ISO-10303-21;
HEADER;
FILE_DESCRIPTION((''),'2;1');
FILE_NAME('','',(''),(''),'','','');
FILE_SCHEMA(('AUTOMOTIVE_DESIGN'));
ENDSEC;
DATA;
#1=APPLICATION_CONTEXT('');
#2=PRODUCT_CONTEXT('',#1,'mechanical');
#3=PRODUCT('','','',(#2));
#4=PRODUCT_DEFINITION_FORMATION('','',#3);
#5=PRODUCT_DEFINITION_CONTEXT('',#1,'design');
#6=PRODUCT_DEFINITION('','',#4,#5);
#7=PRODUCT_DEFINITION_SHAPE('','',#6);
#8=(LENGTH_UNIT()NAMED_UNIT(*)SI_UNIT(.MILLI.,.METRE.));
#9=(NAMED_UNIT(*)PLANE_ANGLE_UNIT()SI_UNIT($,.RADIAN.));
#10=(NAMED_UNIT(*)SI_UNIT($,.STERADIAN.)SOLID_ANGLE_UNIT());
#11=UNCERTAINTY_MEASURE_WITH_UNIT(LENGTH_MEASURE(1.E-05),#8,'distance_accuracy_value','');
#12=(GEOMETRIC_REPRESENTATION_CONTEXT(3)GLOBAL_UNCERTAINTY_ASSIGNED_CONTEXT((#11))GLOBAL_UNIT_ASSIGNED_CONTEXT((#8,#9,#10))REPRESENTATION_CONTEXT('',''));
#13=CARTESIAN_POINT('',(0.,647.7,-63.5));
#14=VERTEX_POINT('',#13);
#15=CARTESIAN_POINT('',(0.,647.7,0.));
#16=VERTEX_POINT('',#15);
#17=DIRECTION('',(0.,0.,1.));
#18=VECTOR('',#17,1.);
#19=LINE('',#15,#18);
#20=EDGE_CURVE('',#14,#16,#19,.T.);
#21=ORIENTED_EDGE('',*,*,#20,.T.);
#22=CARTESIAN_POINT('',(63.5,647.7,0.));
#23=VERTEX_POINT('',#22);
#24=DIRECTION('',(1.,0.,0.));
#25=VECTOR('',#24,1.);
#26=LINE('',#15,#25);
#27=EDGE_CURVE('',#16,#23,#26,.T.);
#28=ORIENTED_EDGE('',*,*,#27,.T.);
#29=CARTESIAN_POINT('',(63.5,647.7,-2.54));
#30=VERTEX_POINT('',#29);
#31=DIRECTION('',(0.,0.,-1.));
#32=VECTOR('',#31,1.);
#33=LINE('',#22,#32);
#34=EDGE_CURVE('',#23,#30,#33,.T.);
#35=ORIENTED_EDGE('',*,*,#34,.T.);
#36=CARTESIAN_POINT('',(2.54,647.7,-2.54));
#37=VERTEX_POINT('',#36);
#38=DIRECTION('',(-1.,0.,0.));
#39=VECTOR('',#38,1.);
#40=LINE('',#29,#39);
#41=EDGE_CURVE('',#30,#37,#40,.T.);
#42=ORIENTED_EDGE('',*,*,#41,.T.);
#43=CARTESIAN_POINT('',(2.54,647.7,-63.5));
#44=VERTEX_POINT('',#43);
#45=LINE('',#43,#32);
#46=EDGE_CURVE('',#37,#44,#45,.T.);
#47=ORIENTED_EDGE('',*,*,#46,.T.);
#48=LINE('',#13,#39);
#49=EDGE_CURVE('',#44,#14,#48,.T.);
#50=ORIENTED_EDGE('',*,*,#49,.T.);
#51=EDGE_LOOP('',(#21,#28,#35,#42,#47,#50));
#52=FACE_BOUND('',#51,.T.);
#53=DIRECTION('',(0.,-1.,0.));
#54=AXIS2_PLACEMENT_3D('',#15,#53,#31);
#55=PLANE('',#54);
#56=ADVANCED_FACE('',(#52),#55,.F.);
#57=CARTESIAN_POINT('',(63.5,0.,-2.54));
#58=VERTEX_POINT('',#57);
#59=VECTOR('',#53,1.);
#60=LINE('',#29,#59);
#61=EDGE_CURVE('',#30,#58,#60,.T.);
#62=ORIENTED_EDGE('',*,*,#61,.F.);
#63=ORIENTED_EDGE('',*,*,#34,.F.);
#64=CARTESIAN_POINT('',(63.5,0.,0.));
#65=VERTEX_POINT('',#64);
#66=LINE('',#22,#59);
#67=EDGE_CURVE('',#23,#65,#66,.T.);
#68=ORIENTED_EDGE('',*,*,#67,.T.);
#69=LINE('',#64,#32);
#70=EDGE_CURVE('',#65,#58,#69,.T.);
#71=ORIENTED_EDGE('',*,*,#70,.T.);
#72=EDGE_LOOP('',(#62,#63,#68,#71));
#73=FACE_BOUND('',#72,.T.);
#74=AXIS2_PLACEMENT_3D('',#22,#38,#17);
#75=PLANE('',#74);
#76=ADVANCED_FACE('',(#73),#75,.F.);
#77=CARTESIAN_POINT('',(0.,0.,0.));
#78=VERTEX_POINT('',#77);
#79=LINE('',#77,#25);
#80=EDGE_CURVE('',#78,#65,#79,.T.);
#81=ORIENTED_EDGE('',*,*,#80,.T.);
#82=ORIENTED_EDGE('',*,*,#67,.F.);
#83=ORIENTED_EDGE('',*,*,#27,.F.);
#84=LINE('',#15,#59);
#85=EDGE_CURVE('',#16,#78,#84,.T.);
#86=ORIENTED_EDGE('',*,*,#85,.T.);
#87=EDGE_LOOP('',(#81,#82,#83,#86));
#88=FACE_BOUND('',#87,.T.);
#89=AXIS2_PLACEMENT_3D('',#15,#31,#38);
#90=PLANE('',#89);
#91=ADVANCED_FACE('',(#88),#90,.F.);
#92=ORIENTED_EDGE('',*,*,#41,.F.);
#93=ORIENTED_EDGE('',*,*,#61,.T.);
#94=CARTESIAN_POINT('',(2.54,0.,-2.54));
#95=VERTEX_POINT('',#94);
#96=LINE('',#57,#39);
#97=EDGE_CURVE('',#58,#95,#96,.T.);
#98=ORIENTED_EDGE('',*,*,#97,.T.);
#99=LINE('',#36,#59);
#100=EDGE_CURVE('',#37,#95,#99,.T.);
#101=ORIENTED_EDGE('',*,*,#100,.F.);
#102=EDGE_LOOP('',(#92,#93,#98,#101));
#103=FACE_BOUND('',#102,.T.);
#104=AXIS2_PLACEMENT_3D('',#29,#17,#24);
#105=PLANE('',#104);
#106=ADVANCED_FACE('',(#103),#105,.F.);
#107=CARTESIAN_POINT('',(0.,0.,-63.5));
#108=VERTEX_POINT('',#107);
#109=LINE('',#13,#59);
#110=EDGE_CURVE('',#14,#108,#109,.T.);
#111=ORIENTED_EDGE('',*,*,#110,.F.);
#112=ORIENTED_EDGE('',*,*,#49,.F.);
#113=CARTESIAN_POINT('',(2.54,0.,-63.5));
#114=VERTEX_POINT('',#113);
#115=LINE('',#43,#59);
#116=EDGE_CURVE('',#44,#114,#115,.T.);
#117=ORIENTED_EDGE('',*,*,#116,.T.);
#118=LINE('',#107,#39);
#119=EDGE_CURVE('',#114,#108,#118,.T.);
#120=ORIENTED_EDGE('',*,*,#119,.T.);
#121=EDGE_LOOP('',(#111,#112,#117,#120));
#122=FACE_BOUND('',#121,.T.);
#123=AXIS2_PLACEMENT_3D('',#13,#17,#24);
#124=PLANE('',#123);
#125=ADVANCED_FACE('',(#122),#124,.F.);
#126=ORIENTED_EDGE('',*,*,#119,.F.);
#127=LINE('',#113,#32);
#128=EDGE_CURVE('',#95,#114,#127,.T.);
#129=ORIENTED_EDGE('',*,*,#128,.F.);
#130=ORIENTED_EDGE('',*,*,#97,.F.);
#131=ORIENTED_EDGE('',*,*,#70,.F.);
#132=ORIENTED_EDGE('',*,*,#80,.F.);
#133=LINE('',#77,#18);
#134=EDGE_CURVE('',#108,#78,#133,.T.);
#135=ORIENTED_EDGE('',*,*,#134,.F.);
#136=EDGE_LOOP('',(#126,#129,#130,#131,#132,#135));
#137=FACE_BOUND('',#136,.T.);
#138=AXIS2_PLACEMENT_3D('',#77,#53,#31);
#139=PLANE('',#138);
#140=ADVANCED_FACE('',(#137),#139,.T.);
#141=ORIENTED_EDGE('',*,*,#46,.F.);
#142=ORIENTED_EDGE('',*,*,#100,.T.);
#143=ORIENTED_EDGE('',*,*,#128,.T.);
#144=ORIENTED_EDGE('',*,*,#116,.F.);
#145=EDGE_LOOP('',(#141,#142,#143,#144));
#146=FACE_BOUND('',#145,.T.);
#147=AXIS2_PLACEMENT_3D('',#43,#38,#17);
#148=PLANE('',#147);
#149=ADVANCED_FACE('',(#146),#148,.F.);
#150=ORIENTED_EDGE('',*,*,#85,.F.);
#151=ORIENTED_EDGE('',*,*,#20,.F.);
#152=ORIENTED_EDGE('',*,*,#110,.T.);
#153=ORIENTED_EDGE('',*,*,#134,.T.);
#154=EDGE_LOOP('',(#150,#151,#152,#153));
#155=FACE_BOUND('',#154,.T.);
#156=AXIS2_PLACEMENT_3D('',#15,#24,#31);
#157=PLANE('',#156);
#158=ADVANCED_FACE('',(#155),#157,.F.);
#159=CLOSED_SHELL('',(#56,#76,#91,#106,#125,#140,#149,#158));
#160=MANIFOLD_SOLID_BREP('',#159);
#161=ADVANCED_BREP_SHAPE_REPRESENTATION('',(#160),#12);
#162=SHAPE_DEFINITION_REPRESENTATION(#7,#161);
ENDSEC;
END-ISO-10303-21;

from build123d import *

# Parameters (mm, degrees)
BOSS_EXTRUDE1_DEPTH = 647.7


with BuildPart() as part:
    # Sketch1 → Boss-Extrude1 (new body)
    with BuildSketch(Plane(origin=(0, 0, 0), x_dir=(1, 0, 0), z_dir=(0, 1, 0))):
        Polygon((0, 0), (63.5, 0), (63.5, 2.54), (2.54, 2.54), (2.54, 63.5), (0, 63.5), align=None)
    extrude(amount=BOSS_EXTRUDE1_DEPTH)


solid = part.part
